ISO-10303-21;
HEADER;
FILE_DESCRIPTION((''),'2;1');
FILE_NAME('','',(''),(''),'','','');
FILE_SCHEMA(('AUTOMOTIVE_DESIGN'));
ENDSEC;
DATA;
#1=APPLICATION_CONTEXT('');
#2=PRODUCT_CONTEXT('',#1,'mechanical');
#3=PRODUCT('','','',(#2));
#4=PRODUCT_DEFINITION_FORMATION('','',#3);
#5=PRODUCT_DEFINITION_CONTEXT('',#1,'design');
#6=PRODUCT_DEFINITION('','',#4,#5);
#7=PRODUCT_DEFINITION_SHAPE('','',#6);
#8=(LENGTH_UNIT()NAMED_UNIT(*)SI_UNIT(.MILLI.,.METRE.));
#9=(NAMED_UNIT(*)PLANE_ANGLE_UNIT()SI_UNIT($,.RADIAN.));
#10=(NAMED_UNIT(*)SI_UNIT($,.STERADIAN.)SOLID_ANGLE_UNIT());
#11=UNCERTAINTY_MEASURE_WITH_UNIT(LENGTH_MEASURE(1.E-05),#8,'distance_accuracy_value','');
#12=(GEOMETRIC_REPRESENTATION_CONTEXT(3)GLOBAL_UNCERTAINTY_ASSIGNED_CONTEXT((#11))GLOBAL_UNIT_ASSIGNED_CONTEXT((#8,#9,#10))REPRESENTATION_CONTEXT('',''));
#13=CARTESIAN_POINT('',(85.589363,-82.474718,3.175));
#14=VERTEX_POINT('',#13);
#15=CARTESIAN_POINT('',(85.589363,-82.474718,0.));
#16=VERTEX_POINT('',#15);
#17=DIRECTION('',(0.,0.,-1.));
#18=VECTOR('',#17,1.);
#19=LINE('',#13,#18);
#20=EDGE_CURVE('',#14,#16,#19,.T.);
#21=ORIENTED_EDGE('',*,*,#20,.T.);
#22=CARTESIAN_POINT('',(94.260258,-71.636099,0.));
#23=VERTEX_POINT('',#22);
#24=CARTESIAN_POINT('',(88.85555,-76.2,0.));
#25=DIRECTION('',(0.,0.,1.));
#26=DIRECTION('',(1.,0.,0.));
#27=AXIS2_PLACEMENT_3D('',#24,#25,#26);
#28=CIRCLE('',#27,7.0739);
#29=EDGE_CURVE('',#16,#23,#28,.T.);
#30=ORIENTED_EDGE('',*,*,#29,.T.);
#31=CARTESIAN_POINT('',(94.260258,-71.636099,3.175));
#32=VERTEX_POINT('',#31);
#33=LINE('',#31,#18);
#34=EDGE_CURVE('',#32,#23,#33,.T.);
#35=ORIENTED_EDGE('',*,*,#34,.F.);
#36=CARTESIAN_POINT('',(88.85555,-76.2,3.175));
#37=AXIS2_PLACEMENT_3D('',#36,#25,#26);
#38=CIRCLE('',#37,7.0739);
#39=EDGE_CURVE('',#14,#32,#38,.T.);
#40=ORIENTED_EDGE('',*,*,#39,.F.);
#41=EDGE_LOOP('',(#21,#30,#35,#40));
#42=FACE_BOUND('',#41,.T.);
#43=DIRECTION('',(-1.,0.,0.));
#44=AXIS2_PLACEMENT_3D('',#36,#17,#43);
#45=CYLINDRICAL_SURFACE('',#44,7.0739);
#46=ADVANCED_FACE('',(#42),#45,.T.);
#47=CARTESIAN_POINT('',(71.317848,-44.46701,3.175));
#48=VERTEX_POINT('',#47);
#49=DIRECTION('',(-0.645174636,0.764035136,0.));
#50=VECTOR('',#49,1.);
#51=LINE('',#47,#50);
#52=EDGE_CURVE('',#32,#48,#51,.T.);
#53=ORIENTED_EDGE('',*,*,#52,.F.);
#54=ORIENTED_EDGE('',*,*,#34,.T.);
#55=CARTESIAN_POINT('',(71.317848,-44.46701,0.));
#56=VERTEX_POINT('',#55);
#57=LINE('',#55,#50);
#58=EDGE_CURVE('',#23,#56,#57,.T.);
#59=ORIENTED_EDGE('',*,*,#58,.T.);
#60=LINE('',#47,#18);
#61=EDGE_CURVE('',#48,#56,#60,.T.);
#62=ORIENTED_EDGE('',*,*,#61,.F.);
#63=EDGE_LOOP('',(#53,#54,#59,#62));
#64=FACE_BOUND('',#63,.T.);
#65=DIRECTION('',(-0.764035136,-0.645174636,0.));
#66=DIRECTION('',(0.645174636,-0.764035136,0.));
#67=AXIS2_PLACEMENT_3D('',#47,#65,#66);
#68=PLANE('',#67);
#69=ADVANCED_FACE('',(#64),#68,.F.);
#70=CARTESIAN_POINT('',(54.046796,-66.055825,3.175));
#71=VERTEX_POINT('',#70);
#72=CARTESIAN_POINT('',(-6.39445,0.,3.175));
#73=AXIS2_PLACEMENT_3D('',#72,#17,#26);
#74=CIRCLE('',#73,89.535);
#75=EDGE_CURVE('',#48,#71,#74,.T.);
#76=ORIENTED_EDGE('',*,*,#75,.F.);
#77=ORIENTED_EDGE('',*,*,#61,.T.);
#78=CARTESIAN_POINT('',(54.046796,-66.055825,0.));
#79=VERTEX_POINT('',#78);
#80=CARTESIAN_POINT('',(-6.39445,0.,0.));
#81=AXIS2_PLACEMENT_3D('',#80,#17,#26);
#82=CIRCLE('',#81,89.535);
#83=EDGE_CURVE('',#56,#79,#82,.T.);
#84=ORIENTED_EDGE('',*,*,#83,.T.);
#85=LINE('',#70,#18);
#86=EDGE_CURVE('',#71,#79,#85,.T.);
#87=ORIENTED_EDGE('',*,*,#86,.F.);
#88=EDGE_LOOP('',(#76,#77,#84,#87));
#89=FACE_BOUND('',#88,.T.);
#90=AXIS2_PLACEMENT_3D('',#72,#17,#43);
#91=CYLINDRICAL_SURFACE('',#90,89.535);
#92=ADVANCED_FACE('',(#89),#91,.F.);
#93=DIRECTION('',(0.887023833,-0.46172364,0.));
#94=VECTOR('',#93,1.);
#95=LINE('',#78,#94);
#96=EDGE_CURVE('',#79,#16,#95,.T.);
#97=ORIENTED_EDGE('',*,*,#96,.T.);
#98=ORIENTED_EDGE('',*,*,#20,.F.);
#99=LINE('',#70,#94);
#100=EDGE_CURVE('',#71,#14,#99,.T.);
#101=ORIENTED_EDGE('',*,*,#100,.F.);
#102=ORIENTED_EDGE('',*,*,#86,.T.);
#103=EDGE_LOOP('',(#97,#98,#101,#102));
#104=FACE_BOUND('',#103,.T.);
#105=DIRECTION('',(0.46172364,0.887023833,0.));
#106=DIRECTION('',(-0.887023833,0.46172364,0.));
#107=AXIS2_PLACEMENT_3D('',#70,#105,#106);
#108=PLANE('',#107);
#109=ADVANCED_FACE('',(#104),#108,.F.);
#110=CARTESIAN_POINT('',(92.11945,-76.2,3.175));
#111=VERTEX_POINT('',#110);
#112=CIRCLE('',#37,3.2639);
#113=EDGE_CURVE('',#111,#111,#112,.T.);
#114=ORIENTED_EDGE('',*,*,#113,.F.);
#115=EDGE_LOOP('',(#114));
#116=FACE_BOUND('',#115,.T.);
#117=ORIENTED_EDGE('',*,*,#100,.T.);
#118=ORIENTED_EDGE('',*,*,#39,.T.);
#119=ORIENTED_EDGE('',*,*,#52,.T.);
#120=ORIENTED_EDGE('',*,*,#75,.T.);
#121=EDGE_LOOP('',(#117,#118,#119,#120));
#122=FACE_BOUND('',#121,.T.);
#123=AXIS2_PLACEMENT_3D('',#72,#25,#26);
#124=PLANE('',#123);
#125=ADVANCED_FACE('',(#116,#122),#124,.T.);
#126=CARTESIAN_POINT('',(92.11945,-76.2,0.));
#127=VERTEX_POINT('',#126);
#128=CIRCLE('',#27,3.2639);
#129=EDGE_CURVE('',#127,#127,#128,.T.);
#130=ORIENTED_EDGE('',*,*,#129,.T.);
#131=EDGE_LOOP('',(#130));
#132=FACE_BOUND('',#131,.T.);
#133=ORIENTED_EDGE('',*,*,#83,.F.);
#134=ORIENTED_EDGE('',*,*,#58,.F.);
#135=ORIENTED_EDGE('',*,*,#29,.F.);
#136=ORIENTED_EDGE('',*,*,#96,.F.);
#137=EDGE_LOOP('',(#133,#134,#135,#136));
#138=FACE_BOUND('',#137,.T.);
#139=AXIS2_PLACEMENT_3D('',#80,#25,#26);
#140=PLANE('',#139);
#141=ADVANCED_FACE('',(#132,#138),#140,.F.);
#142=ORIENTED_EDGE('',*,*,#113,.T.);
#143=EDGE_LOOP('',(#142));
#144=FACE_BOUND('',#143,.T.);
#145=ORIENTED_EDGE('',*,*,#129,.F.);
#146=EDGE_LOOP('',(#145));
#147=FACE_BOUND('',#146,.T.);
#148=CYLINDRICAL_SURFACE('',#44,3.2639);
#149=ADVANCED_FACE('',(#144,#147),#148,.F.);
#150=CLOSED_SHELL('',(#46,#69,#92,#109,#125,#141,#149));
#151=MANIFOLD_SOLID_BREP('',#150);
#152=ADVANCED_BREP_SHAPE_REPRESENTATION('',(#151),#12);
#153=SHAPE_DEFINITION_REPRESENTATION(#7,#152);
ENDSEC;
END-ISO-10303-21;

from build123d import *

# Parameters (mm, degrees)
SKETCH1_R           = 3.2639
BOSS_EXTRUDE1_DEPTH = 3.175


with BuildPart() as part:
    # Sketch1 → Boss-Extrude1 (new body)
    with BuildSketch(Plane.XY):
        with BuildLine():
            Line((54.046795642, -66.055825256), (85.589363144, -82.474717892))
            ThreePointArc((85.589363144, -82.474717892), (94.379337871, -80.619030297), (94.260258146, -71.636099139))
            Line((94.260258146, -71.636099139), (71.317848073, -44.467009717))
            ThreePointArc((71.317848073, -44.467009717), (63.520638853, -55.932071083), (54.046795642, -66.055825256))
        make_face()
        with Locations((88.85555, -76.2)):
            Circle(SKETCH1_R, mode=Mode.SUBTRACT)
    extrude(amount=BOSS_EXTRUDE1_DEPTH)


solid = part.part
